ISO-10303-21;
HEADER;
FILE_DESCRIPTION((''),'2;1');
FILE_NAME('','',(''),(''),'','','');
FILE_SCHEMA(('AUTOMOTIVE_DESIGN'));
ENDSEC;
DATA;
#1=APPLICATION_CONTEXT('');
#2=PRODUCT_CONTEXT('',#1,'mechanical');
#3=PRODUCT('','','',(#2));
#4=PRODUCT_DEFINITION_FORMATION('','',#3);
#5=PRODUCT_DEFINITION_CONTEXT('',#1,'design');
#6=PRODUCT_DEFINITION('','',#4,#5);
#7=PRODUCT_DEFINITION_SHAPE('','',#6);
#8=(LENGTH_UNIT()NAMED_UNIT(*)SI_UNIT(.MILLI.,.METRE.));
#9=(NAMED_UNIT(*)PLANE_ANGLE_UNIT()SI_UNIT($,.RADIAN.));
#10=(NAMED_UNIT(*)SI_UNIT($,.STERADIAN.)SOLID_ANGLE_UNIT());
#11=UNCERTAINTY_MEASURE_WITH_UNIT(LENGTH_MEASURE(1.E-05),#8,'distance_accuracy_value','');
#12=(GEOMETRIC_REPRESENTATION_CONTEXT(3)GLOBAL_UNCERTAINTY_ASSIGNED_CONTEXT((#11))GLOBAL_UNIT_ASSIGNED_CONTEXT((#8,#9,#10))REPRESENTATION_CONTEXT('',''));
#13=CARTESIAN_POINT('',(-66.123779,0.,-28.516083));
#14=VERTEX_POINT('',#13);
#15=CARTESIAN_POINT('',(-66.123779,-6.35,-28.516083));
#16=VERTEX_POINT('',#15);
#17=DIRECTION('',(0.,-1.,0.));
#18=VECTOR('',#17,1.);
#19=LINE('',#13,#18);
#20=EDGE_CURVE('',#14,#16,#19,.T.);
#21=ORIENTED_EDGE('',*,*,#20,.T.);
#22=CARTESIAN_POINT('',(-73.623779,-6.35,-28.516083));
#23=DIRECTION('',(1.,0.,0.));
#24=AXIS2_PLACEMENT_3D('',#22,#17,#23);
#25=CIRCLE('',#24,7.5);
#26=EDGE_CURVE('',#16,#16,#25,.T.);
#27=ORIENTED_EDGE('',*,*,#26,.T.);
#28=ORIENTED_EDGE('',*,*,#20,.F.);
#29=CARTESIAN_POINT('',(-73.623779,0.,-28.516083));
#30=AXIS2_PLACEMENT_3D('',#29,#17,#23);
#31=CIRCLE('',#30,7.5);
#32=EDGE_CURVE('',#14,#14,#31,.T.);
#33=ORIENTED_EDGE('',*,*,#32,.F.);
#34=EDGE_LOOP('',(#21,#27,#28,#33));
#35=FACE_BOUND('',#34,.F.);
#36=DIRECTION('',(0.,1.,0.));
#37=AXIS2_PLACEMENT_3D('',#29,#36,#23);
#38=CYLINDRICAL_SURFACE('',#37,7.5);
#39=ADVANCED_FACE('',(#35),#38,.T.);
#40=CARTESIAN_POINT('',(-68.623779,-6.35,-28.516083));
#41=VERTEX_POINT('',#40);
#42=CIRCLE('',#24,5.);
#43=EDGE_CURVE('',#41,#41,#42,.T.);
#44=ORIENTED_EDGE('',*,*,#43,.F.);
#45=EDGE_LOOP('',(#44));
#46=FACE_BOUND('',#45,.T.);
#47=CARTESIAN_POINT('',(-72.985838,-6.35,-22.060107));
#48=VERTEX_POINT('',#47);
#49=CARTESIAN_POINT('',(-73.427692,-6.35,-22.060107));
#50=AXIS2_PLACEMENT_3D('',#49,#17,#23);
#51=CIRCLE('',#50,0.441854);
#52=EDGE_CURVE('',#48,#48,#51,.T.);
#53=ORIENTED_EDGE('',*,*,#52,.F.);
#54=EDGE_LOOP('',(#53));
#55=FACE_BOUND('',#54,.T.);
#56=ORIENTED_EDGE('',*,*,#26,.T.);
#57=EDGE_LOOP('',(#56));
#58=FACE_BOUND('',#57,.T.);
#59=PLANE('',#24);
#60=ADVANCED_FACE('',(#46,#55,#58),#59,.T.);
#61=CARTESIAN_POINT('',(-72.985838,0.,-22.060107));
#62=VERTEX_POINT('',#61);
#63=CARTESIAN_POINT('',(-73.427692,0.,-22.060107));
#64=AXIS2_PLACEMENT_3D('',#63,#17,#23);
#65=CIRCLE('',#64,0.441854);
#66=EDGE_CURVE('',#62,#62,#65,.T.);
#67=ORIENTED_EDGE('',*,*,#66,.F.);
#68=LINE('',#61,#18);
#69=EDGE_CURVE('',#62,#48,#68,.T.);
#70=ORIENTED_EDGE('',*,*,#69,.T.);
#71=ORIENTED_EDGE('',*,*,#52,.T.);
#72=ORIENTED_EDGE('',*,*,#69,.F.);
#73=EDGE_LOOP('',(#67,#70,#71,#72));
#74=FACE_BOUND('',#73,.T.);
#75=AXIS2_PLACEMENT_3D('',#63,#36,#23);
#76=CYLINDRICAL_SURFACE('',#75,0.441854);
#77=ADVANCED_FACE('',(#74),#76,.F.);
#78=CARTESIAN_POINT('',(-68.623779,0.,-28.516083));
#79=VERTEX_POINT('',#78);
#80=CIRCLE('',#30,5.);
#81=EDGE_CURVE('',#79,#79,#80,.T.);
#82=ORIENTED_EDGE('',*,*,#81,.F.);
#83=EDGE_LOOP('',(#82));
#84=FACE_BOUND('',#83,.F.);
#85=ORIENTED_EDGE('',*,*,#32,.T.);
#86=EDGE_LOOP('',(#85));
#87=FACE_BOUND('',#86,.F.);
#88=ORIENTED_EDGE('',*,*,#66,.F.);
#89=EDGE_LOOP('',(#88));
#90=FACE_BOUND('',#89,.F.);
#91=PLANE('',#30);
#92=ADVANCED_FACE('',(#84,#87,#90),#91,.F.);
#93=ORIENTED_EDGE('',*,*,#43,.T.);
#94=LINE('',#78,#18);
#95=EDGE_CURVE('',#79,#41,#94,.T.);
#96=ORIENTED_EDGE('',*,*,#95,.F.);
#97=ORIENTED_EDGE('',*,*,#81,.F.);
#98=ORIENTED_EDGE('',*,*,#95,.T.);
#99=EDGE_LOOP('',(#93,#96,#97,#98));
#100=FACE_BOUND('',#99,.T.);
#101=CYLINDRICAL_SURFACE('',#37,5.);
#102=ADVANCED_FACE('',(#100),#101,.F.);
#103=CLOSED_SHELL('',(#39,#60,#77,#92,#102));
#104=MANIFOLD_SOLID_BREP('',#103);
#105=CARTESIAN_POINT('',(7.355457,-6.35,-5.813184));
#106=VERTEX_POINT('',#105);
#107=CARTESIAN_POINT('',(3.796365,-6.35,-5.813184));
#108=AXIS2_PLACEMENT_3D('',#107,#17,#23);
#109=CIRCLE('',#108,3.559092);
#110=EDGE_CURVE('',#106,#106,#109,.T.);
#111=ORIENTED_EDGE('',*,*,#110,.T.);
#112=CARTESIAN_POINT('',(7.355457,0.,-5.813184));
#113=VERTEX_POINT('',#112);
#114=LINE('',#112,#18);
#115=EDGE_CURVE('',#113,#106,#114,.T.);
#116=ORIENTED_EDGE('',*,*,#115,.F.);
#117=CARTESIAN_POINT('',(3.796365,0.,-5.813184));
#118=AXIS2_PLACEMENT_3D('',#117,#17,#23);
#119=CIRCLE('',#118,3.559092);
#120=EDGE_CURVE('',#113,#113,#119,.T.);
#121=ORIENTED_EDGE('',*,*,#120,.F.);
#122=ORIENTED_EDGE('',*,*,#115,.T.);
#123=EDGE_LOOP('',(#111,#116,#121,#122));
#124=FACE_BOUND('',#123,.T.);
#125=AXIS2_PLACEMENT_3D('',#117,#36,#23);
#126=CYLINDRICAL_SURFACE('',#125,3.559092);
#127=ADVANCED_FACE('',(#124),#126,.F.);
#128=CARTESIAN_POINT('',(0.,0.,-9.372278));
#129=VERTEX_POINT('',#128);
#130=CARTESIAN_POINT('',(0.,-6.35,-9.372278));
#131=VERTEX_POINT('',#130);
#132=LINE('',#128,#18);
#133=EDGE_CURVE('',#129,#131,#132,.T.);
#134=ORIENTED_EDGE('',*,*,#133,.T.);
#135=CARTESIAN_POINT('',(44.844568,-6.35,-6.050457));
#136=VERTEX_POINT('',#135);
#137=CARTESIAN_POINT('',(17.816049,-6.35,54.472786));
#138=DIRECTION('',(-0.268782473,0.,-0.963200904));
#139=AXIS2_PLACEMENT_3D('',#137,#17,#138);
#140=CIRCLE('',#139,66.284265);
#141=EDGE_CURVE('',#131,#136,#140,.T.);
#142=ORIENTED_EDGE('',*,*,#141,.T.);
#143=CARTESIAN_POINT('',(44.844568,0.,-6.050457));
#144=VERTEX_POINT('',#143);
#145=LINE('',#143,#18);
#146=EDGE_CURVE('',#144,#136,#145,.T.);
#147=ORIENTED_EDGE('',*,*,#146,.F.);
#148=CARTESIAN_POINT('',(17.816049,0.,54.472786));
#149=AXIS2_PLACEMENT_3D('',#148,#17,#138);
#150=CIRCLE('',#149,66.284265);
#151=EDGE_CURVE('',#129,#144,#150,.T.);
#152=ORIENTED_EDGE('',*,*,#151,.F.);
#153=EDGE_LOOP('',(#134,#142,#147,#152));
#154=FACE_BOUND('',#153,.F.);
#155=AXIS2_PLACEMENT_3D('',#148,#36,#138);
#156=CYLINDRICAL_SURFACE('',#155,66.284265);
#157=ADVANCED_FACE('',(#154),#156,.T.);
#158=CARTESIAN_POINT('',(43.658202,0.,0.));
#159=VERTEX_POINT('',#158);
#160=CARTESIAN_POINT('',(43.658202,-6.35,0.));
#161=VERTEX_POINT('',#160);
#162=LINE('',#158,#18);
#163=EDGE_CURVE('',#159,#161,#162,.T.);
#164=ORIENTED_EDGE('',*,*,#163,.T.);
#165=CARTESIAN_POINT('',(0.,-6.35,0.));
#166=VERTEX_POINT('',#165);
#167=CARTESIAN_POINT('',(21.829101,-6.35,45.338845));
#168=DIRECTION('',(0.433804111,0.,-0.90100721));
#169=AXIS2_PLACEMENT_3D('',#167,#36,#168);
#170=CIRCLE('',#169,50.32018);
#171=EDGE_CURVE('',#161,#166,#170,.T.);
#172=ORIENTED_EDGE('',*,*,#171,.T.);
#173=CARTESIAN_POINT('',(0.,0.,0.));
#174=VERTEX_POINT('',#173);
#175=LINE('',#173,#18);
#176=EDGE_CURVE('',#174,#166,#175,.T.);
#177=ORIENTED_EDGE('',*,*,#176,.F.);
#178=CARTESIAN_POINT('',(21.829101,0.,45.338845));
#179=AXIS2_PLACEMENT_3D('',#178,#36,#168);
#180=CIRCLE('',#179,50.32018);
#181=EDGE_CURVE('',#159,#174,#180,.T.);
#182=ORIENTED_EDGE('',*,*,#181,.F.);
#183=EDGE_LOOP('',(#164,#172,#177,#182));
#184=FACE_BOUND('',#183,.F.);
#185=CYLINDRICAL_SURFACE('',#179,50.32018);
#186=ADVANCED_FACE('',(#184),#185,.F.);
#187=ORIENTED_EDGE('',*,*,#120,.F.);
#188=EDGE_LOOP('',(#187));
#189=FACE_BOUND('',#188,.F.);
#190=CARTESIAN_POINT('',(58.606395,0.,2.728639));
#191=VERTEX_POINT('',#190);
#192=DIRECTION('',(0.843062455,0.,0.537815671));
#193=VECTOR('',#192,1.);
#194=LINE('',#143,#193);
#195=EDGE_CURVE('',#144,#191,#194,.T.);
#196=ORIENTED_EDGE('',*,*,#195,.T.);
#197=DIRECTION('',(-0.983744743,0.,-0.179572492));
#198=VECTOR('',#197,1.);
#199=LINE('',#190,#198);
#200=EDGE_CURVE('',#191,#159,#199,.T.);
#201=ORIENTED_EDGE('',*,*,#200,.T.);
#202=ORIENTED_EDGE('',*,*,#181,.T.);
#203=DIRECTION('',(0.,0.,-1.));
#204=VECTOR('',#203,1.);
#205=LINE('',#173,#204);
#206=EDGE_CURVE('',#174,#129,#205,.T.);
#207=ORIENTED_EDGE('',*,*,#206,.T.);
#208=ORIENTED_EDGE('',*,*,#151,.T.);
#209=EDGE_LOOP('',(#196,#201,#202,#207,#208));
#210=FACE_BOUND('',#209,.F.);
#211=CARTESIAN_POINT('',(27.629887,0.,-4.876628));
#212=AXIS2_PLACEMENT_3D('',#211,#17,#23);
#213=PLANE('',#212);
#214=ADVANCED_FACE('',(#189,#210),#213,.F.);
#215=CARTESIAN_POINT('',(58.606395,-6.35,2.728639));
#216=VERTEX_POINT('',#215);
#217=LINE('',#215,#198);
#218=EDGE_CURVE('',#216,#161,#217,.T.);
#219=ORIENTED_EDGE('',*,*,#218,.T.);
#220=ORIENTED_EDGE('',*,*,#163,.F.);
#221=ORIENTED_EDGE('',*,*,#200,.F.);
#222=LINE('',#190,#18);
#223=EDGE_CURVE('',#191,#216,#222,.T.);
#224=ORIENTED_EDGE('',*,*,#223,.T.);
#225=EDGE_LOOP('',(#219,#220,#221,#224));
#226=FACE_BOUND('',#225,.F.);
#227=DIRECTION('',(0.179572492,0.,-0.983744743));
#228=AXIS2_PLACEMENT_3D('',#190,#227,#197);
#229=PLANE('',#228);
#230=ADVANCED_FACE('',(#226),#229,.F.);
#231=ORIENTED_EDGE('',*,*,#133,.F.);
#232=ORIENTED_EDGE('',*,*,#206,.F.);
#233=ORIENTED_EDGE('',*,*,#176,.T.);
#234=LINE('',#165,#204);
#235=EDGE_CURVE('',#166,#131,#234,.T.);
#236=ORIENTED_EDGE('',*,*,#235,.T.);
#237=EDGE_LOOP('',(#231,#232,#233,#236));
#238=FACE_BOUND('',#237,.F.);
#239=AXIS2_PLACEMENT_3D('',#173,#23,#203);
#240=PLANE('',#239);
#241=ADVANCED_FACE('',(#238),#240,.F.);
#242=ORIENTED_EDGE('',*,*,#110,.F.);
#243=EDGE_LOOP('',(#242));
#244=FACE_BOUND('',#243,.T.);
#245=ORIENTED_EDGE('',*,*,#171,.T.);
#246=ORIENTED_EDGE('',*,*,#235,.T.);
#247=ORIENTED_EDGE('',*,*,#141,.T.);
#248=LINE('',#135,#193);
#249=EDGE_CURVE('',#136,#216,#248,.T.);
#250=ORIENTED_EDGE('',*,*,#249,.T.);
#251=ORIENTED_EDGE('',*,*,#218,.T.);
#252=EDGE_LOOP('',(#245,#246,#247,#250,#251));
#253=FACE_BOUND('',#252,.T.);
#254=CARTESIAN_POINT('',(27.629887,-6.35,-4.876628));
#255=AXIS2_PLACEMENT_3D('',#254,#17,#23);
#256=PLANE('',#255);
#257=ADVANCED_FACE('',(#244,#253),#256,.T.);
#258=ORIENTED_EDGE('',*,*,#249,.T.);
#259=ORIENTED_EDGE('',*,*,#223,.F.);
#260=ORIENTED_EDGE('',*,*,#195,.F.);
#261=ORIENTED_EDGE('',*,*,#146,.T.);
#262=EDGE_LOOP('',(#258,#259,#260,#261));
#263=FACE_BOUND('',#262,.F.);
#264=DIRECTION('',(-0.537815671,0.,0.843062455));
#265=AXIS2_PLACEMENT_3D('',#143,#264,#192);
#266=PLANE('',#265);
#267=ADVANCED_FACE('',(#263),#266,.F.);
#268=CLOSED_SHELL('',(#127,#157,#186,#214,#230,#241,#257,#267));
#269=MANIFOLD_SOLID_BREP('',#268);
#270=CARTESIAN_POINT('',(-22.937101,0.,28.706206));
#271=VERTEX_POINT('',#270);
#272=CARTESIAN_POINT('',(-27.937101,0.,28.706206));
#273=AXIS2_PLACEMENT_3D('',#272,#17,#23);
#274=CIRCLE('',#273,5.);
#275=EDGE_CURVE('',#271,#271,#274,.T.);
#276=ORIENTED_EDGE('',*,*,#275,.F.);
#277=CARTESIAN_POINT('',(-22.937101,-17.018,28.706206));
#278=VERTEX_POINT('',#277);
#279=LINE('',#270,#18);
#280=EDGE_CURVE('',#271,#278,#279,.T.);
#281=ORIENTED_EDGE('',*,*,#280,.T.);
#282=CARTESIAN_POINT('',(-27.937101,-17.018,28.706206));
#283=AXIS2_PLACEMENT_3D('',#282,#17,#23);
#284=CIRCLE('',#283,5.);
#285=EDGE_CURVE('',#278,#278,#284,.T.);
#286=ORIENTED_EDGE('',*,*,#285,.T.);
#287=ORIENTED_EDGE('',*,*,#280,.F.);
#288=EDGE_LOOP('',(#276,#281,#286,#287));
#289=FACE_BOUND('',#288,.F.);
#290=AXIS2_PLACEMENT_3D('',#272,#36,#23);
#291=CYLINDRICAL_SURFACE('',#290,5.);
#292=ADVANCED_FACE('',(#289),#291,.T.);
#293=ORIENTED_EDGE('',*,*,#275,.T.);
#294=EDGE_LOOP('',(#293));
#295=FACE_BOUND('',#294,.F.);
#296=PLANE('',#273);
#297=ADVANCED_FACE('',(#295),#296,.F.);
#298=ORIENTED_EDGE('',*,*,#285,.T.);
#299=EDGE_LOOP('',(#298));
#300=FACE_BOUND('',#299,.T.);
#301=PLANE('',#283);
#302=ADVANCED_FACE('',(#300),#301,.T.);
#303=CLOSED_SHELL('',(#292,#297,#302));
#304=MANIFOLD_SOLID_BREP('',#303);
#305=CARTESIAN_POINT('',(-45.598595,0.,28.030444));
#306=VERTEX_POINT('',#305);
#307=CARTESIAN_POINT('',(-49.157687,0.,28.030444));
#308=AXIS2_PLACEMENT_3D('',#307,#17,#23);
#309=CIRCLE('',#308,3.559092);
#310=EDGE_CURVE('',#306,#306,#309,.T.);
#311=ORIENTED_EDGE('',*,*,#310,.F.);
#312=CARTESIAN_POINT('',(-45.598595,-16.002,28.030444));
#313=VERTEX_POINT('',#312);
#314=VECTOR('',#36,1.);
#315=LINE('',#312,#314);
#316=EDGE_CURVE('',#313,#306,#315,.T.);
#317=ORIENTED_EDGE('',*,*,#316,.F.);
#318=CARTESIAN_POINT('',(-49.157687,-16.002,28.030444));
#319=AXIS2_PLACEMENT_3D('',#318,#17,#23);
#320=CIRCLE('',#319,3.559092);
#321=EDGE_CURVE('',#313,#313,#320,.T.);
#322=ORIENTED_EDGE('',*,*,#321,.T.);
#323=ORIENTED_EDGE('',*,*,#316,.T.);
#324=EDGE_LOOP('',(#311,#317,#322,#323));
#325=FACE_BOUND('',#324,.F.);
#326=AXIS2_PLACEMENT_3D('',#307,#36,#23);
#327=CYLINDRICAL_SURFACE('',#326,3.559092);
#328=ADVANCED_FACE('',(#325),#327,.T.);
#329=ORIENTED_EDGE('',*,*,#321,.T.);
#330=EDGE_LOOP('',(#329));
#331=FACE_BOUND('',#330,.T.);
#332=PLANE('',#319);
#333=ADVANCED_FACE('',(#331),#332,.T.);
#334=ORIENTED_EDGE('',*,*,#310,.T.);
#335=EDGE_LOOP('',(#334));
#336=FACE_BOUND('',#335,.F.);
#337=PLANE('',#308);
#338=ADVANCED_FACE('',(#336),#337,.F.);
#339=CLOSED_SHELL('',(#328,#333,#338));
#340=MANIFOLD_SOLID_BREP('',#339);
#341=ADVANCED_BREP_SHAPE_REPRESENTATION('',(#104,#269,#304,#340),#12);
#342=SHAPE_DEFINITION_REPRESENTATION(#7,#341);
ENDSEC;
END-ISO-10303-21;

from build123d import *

# Parameters (mm, degrees)
F0_R     = 3.559092
F1_DEPTH = 6.35
F0_R_2   = 7.5
F0_R_3   = 5
F0_R_4   = 0.441854
F2_DEPTH = 6.35
F3_DEPTH = 16.002
F4_DEPTH = 17.018


with BuildPart() as f1:
    # F0 (on Front) → F1 (new body)
    with BuildSketch(Plane.XZ):
        with BuildLine():
            ThreePointArc((43.658202, 0), (21.829101, -4.981335), (0, 0))
            Line((0, 0), (0, -9.372278))
            ThreePointArc((0, -9.372278), (22.712581, -11.630374), (44.844568, -6.050457))
            Line((44.844568, -6.050457), (58.606395, 2.728639))
            Line((58.606395, 2.728639), (43.658202, 0))
        make_face()
        with Locations((3.796365, -5.813184)):
            Circle(F0_R, mode=Mode.SUBTRACT)
    extrude(amount=F1_DEPTH)


with BuildPart() as f2:
    # F0 (on Front) → F2 (new body)
    with BuildSketch(Plane.XZ):
        with Locations((-49.157687, 28.030444)):
            Circle(F0_R)
        with Locations((-73.623779, -28.516083)):
            Circle(F0_R_2)
        with Locations((-73.623779, -28.516083)):
            Circle(F0_R_3, mode=Mode.SUBTRACT)
        with Locations((-73.427692, -22.060107)):
            Circle(F0_R_4, mode=Mode.SUBTRACT)
    extrude(amount=F2_DEPTH)

    # F0 (on Front) → F3 (join)
    with BuildSketch(Plane.XZ):
        with Locations((-49.157687, 28.030444)):
            Circle(F0_R)
    extrude(amount=F3_DEPTH)


with BuildPart() as f4:
    # F0 (on Front) → F4 (new body)
    with BuildSketch(Plane.XZ):
        with Locations((-27.937101, 28.706206)):
            Circle(F0_R_3)
    extrude(amount=F4_DEPTH)


solid = Compound([f1.part, f2.part, f4.part])
